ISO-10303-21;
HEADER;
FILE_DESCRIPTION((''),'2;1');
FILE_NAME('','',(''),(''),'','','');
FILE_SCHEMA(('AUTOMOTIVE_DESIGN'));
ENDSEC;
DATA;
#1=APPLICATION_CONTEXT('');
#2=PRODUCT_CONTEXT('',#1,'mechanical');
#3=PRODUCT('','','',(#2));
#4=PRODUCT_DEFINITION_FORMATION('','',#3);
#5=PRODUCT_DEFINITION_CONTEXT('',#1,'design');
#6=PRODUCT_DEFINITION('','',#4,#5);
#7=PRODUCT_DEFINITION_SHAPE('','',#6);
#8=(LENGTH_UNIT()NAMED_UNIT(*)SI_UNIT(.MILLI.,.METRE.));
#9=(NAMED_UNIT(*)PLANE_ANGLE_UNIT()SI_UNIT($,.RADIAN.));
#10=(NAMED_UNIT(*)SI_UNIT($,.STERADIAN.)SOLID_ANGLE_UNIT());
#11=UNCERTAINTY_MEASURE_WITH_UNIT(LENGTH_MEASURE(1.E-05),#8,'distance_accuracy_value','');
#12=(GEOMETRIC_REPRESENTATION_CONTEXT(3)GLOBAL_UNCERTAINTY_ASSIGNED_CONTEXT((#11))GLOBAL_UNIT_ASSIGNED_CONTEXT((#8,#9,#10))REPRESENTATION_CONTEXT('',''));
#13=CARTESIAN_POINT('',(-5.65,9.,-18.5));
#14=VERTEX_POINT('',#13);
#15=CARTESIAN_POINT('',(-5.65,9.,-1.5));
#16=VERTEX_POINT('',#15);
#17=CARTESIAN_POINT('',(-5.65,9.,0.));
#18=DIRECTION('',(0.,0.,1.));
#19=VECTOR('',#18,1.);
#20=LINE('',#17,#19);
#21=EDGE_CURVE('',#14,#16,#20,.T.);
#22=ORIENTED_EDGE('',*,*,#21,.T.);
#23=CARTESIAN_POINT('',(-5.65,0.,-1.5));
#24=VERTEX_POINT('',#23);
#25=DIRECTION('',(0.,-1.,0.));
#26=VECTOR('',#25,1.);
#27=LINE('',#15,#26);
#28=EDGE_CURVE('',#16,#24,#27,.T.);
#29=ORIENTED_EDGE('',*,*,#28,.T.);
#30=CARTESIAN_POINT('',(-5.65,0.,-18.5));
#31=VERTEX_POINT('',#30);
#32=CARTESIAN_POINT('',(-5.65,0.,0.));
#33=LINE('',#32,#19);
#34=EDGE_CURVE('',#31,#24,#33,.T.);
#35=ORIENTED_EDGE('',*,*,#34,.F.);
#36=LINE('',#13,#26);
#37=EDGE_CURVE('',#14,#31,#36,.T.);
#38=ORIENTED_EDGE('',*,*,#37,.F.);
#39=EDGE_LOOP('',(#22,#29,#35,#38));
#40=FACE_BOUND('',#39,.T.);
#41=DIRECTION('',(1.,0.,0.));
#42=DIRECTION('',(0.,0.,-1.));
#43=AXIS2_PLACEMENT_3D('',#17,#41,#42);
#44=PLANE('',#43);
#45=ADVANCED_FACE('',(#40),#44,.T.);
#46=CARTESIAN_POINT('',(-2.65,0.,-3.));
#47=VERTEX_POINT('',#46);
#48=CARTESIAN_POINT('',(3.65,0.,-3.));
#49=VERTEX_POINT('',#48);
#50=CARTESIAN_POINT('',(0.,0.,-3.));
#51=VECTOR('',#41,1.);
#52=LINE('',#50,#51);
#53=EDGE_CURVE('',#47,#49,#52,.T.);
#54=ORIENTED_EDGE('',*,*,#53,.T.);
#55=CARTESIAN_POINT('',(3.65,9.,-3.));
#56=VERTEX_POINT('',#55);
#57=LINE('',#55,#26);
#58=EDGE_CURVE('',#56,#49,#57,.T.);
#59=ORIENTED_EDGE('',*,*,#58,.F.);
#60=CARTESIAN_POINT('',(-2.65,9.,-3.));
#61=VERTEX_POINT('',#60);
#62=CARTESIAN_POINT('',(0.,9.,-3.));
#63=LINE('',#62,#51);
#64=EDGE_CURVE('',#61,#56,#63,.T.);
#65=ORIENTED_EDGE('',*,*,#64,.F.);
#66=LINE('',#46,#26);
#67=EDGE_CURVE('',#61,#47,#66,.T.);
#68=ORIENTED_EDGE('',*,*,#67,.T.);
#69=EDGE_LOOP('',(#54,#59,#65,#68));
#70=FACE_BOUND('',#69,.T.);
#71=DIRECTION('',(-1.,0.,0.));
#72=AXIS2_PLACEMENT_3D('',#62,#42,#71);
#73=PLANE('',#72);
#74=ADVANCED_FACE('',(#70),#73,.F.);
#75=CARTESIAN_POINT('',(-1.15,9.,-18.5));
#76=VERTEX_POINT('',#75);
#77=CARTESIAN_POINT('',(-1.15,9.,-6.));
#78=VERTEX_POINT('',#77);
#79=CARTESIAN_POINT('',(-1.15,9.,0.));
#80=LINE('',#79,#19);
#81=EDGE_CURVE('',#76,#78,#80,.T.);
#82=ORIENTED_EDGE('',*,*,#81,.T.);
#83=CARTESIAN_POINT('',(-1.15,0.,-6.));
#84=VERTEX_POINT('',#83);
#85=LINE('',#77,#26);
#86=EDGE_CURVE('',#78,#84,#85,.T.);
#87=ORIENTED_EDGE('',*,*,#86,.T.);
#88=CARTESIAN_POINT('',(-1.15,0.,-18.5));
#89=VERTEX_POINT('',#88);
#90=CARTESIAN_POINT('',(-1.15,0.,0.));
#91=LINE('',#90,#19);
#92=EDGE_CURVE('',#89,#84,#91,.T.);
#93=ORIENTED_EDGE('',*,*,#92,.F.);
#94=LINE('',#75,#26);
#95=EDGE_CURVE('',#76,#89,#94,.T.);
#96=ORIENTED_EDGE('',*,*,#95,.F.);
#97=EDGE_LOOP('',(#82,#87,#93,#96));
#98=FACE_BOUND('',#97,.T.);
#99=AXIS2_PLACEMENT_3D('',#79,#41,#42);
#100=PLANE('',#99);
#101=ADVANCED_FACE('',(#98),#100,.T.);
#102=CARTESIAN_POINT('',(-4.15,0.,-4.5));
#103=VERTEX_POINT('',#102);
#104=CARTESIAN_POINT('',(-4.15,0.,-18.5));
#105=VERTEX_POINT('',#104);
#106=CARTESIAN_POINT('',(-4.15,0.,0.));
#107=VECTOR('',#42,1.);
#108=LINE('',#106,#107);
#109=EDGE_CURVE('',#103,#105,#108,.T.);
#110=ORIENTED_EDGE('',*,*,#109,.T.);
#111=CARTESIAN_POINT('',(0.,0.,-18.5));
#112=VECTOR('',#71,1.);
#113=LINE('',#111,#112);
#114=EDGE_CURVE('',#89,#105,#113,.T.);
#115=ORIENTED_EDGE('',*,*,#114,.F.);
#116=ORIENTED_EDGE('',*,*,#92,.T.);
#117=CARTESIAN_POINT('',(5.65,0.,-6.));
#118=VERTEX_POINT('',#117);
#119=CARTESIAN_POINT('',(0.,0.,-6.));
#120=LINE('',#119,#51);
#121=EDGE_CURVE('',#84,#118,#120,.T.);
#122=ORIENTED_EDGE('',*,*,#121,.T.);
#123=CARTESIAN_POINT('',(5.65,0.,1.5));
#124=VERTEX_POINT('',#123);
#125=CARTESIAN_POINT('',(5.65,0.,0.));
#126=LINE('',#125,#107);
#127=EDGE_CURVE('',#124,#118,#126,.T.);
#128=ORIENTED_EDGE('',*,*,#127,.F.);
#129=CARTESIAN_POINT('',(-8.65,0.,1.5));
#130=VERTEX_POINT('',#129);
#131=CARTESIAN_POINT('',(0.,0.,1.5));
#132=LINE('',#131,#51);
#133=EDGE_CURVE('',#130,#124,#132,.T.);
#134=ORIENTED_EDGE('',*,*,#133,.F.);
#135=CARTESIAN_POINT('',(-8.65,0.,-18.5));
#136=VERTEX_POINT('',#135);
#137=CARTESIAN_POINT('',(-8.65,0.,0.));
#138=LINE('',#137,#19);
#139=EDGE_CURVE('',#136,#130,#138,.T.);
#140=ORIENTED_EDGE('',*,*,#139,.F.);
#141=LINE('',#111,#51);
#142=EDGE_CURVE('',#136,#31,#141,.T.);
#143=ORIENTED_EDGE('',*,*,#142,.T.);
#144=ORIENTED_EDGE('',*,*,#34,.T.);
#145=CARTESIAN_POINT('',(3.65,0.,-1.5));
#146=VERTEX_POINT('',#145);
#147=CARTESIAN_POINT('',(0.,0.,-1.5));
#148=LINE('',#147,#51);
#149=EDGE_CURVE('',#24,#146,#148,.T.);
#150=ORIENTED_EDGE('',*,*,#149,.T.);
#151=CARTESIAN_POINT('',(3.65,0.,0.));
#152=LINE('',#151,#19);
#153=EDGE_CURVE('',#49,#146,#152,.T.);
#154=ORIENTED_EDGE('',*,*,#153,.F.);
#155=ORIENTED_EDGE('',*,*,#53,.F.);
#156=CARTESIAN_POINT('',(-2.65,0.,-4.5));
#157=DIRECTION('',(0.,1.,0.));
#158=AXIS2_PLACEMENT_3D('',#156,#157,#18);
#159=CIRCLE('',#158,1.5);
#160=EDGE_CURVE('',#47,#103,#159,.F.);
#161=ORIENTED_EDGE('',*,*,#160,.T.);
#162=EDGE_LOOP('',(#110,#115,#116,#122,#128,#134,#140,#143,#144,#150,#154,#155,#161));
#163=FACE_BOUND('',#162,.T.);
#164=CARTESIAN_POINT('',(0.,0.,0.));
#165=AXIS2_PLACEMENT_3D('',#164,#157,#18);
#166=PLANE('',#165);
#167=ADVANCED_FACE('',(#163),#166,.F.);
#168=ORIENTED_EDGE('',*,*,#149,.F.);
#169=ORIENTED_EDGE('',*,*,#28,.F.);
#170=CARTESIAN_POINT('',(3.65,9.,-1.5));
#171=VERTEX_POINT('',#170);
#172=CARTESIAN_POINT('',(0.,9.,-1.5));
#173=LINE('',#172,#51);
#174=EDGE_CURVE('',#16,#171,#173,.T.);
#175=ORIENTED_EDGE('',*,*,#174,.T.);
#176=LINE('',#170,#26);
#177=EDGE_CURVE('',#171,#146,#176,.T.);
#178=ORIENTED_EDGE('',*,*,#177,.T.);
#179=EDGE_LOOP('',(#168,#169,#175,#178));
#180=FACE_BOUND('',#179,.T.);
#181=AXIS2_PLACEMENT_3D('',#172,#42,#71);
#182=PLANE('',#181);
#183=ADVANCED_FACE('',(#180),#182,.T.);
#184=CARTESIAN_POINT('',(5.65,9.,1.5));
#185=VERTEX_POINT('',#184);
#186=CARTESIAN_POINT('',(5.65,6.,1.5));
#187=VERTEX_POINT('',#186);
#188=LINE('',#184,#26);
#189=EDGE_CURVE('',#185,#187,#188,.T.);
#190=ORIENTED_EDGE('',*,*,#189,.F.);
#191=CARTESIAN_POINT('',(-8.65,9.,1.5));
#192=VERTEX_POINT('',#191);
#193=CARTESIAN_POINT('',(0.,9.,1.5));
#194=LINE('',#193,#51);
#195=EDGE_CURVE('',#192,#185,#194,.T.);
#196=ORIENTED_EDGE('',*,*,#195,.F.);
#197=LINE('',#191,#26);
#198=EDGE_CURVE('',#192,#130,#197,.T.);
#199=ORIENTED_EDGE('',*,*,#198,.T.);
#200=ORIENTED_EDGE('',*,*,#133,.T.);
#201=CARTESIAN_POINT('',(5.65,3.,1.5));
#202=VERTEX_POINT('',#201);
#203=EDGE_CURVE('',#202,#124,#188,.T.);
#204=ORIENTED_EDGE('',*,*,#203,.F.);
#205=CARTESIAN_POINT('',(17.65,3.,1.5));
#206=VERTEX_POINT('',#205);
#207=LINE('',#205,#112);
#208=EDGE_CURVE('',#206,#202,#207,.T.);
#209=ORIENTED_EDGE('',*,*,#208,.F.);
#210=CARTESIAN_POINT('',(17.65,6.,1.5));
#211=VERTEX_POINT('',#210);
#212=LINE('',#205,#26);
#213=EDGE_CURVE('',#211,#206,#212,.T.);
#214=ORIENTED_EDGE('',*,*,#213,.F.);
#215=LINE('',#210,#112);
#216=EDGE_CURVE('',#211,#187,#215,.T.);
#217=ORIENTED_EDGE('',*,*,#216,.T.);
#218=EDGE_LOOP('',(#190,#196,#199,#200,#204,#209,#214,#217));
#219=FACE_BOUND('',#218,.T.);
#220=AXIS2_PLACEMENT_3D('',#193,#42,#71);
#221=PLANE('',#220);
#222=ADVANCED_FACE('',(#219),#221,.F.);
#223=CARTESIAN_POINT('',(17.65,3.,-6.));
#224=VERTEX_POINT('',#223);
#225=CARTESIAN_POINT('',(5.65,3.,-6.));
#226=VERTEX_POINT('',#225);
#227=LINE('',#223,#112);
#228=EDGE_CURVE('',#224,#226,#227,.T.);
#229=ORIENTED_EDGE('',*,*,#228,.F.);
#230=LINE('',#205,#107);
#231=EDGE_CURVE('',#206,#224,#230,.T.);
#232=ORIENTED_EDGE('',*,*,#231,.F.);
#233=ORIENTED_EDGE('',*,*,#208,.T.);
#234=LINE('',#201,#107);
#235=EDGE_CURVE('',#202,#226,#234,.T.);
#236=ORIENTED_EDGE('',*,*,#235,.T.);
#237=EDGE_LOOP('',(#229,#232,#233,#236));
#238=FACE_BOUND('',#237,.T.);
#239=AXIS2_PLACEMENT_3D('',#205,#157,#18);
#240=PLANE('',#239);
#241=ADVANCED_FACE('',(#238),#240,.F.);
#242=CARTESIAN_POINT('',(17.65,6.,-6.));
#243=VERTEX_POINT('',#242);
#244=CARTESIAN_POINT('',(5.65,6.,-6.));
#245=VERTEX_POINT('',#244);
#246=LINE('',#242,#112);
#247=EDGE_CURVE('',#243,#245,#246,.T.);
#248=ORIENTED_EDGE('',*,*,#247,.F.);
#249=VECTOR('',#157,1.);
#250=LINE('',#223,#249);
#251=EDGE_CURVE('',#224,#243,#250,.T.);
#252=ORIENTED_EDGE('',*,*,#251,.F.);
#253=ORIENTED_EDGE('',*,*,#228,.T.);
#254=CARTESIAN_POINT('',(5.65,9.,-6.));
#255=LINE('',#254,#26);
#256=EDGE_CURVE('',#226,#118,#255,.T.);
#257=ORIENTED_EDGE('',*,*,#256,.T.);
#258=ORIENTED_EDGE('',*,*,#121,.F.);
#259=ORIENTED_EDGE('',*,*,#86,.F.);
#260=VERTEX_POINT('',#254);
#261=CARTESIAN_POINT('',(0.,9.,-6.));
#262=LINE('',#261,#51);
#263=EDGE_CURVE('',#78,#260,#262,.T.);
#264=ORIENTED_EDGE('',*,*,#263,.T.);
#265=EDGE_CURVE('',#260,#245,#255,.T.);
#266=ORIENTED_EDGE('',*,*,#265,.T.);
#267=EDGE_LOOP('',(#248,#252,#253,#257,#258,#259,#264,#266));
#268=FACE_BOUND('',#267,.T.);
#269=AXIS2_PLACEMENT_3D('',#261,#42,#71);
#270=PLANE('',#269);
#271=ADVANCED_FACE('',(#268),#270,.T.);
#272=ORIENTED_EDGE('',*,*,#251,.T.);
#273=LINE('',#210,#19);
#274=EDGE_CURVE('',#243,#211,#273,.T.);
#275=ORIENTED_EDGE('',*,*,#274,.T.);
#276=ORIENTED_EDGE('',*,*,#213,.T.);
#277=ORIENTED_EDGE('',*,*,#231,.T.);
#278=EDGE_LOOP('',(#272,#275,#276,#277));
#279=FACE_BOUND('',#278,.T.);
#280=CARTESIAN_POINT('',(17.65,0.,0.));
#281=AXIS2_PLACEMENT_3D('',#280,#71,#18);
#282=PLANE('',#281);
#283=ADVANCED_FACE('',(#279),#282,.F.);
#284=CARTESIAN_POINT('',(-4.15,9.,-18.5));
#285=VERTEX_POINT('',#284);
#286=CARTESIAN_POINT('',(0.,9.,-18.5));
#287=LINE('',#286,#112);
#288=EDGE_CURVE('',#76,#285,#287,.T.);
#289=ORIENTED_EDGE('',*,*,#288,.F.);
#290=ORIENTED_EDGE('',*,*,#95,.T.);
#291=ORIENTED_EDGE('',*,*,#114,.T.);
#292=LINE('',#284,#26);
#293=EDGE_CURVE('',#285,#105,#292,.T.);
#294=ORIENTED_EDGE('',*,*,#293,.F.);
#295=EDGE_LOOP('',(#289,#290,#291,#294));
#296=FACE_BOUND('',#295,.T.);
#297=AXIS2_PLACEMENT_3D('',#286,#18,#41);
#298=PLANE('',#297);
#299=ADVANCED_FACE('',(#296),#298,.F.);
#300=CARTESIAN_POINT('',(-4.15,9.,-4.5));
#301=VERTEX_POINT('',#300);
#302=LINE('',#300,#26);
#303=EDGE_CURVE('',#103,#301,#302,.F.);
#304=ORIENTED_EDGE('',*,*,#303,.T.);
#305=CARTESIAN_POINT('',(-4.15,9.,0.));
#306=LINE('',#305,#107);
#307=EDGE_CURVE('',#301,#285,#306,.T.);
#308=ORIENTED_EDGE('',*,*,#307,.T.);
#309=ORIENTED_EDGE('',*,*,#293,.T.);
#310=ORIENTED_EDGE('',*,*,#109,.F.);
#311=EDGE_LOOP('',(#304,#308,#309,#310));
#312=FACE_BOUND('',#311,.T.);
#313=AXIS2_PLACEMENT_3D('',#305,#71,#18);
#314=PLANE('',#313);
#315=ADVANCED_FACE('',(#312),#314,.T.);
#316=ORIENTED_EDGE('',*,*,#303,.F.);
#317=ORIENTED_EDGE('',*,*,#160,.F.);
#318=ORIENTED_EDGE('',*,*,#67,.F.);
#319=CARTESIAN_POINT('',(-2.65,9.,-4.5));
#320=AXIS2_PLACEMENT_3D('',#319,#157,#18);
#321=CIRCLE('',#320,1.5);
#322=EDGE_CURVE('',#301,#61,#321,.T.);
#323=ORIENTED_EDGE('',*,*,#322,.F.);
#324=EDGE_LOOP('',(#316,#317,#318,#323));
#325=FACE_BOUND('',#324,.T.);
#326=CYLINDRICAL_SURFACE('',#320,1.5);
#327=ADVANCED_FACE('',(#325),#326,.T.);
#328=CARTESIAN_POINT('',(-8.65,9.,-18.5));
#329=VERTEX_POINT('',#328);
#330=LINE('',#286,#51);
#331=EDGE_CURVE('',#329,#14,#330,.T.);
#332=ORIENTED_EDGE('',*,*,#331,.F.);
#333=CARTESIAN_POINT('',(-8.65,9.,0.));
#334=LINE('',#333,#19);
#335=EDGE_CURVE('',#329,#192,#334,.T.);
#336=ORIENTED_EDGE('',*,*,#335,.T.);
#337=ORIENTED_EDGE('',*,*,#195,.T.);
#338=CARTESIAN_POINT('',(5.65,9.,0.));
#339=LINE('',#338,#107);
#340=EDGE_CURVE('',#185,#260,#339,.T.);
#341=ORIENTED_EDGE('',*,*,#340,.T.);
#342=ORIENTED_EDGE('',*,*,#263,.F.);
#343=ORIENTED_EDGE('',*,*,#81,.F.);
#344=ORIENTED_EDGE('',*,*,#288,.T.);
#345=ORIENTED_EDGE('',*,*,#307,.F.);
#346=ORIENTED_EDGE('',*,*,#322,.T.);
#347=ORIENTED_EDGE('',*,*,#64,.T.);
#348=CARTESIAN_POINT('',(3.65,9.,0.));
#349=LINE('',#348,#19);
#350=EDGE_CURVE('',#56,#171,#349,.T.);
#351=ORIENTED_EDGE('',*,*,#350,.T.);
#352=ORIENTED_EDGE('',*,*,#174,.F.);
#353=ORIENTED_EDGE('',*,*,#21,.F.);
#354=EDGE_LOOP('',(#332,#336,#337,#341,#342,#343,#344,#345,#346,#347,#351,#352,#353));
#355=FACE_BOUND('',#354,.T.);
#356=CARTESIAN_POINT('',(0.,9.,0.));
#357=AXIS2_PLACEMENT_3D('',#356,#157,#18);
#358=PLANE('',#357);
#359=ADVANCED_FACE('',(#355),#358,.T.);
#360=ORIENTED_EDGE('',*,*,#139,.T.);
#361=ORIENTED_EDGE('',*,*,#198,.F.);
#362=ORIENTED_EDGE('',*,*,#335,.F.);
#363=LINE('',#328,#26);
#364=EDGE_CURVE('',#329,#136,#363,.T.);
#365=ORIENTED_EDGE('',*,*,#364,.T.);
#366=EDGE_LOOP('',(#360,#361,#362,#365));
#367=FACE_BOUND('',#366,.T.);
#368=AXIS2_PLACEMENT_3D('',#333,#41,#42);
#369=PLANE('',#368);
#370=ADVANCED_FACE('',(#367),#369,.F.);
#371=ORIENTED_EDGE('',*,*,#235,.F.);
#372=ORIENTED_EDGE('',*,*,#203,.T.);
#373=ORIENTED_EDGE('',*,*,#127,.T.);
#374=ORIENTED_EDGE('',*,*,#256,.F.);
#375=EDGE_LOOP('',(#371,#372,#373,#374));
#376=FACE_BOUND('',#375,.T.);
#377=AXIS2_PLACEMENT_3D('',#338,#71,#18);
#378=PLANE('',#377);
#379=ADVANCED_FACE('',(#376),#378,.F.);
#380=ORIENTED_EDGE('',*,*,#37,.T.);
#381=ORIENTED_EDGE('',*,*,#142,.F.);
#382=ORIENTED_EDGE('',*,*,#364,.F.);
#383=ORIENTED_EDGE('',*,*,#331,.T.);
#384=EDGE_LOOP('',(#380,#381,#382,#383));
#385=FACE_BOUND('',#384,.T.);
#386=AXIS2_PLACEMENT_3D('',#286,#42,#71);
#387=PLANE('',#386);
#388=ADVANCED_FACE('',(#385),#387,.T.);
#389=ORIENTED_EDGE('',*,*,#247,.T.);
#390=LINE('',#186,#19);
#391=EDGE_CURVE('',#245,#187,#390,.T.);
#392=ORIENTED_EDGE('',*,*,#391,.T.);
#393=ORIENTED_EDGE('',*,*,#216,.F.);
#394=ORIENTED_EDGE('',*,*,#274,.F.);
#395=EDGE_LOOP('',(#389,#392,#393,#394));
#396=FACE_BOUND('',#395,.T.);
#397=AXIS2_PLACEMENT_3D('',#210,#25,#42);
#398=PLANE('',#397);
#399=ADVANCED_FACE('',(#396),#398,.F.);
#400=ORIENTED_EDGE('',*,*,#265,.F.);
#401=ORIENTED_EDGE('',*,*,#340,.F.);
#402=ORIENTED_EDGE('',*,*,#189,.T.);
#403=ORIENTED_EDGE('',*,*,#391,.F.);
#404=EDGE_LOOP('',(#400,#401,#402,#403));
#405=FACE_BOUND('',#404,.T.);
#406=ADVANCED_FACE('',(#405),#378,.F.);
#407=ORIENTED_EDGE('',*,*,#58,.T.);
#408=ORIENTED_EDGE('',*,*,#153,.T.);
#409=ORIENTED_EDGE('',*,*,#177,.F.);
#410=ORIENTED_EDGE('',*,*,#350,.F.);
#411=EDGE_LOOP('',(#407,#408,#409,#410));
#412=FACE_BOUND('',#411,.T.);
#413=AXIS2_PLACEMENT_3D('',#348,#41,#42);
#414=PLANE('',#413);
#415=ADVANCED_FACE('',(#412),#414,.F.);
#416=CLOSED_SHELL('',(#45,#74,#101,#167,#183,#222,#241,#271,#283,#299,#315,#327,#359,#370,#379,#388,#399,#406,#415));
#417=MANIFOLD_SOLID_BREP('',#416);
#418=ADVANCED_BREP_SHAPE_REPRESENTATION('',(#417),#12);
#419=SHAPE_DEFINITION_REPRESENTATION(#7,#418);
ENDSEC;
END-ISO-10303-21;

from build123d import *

# Parameters (mm, degrees)
SKETCH1_W           = 11.3
SKETCH1_H           = 3
SKETCH1_W_2         = 3
SKETCH1_H_2         = 12.5
BOSS_EXTRUDE1_DEPTH = 9
FILLET1_R           = 1.5
SKETCH2_W           = 7.5
SKETCH2_H           = 3
BOSS_EXTRUDE2_DEPTH = 12


with BuildPart() as part:
    # Sketch1 → Boss-Extrude1 (new body)
    with BuildSketch(Plane(origin=(0, 0, 0), x_dir=(1, 0, 0), z_dir=(0, 1, 0))):
        Polygon((-8.65, -1.5), (-5.65, -1.5), (-5.65, 1.5), (-5.65, 18.5), (-8.65, 18.5), align=None)
        Rectangle(SKETCH1_W, SKETCH1_H)
        Polygon((3.65, 1.5), (5.65, 1.5), (5.65, 6), (3.65, 6), (3.65, 3), align=None)
        Polygon((-4.15, 3), (3.65, 3), (3.65, 6), (-1.15, 6), (-4.15, 6), align=None)
        with Locations((-2.65, 12.25)):
            Rectangle(SKETCH1_W_2, SKETCH1_H_2)
    extrude(amount=BOSS_EXTRUDE1_DEPTH)

    # Fillet1
    fillet1_edges = [part.edges().sort_by_distance(p)[0] for p in [
        (-4.15, 4.5, -3),
    ]]
    fillet(fillet1_edges, radius=FILLET1_R)

    # Sketch2 → Boss-Extrude2 (add)
    with BuildSketch(Plane(origin=(5.65, 0, 0), x_dir=(0, 0, -1), z_dir=(1, 0, 0))):
        with Locations((2.25, 4.5)):
            Rectangle(SKETCH2_W, SKETCH2_H)
    extrude(amount=BOSS_EXTRUDE2_DEPTH)


solid = part.part
